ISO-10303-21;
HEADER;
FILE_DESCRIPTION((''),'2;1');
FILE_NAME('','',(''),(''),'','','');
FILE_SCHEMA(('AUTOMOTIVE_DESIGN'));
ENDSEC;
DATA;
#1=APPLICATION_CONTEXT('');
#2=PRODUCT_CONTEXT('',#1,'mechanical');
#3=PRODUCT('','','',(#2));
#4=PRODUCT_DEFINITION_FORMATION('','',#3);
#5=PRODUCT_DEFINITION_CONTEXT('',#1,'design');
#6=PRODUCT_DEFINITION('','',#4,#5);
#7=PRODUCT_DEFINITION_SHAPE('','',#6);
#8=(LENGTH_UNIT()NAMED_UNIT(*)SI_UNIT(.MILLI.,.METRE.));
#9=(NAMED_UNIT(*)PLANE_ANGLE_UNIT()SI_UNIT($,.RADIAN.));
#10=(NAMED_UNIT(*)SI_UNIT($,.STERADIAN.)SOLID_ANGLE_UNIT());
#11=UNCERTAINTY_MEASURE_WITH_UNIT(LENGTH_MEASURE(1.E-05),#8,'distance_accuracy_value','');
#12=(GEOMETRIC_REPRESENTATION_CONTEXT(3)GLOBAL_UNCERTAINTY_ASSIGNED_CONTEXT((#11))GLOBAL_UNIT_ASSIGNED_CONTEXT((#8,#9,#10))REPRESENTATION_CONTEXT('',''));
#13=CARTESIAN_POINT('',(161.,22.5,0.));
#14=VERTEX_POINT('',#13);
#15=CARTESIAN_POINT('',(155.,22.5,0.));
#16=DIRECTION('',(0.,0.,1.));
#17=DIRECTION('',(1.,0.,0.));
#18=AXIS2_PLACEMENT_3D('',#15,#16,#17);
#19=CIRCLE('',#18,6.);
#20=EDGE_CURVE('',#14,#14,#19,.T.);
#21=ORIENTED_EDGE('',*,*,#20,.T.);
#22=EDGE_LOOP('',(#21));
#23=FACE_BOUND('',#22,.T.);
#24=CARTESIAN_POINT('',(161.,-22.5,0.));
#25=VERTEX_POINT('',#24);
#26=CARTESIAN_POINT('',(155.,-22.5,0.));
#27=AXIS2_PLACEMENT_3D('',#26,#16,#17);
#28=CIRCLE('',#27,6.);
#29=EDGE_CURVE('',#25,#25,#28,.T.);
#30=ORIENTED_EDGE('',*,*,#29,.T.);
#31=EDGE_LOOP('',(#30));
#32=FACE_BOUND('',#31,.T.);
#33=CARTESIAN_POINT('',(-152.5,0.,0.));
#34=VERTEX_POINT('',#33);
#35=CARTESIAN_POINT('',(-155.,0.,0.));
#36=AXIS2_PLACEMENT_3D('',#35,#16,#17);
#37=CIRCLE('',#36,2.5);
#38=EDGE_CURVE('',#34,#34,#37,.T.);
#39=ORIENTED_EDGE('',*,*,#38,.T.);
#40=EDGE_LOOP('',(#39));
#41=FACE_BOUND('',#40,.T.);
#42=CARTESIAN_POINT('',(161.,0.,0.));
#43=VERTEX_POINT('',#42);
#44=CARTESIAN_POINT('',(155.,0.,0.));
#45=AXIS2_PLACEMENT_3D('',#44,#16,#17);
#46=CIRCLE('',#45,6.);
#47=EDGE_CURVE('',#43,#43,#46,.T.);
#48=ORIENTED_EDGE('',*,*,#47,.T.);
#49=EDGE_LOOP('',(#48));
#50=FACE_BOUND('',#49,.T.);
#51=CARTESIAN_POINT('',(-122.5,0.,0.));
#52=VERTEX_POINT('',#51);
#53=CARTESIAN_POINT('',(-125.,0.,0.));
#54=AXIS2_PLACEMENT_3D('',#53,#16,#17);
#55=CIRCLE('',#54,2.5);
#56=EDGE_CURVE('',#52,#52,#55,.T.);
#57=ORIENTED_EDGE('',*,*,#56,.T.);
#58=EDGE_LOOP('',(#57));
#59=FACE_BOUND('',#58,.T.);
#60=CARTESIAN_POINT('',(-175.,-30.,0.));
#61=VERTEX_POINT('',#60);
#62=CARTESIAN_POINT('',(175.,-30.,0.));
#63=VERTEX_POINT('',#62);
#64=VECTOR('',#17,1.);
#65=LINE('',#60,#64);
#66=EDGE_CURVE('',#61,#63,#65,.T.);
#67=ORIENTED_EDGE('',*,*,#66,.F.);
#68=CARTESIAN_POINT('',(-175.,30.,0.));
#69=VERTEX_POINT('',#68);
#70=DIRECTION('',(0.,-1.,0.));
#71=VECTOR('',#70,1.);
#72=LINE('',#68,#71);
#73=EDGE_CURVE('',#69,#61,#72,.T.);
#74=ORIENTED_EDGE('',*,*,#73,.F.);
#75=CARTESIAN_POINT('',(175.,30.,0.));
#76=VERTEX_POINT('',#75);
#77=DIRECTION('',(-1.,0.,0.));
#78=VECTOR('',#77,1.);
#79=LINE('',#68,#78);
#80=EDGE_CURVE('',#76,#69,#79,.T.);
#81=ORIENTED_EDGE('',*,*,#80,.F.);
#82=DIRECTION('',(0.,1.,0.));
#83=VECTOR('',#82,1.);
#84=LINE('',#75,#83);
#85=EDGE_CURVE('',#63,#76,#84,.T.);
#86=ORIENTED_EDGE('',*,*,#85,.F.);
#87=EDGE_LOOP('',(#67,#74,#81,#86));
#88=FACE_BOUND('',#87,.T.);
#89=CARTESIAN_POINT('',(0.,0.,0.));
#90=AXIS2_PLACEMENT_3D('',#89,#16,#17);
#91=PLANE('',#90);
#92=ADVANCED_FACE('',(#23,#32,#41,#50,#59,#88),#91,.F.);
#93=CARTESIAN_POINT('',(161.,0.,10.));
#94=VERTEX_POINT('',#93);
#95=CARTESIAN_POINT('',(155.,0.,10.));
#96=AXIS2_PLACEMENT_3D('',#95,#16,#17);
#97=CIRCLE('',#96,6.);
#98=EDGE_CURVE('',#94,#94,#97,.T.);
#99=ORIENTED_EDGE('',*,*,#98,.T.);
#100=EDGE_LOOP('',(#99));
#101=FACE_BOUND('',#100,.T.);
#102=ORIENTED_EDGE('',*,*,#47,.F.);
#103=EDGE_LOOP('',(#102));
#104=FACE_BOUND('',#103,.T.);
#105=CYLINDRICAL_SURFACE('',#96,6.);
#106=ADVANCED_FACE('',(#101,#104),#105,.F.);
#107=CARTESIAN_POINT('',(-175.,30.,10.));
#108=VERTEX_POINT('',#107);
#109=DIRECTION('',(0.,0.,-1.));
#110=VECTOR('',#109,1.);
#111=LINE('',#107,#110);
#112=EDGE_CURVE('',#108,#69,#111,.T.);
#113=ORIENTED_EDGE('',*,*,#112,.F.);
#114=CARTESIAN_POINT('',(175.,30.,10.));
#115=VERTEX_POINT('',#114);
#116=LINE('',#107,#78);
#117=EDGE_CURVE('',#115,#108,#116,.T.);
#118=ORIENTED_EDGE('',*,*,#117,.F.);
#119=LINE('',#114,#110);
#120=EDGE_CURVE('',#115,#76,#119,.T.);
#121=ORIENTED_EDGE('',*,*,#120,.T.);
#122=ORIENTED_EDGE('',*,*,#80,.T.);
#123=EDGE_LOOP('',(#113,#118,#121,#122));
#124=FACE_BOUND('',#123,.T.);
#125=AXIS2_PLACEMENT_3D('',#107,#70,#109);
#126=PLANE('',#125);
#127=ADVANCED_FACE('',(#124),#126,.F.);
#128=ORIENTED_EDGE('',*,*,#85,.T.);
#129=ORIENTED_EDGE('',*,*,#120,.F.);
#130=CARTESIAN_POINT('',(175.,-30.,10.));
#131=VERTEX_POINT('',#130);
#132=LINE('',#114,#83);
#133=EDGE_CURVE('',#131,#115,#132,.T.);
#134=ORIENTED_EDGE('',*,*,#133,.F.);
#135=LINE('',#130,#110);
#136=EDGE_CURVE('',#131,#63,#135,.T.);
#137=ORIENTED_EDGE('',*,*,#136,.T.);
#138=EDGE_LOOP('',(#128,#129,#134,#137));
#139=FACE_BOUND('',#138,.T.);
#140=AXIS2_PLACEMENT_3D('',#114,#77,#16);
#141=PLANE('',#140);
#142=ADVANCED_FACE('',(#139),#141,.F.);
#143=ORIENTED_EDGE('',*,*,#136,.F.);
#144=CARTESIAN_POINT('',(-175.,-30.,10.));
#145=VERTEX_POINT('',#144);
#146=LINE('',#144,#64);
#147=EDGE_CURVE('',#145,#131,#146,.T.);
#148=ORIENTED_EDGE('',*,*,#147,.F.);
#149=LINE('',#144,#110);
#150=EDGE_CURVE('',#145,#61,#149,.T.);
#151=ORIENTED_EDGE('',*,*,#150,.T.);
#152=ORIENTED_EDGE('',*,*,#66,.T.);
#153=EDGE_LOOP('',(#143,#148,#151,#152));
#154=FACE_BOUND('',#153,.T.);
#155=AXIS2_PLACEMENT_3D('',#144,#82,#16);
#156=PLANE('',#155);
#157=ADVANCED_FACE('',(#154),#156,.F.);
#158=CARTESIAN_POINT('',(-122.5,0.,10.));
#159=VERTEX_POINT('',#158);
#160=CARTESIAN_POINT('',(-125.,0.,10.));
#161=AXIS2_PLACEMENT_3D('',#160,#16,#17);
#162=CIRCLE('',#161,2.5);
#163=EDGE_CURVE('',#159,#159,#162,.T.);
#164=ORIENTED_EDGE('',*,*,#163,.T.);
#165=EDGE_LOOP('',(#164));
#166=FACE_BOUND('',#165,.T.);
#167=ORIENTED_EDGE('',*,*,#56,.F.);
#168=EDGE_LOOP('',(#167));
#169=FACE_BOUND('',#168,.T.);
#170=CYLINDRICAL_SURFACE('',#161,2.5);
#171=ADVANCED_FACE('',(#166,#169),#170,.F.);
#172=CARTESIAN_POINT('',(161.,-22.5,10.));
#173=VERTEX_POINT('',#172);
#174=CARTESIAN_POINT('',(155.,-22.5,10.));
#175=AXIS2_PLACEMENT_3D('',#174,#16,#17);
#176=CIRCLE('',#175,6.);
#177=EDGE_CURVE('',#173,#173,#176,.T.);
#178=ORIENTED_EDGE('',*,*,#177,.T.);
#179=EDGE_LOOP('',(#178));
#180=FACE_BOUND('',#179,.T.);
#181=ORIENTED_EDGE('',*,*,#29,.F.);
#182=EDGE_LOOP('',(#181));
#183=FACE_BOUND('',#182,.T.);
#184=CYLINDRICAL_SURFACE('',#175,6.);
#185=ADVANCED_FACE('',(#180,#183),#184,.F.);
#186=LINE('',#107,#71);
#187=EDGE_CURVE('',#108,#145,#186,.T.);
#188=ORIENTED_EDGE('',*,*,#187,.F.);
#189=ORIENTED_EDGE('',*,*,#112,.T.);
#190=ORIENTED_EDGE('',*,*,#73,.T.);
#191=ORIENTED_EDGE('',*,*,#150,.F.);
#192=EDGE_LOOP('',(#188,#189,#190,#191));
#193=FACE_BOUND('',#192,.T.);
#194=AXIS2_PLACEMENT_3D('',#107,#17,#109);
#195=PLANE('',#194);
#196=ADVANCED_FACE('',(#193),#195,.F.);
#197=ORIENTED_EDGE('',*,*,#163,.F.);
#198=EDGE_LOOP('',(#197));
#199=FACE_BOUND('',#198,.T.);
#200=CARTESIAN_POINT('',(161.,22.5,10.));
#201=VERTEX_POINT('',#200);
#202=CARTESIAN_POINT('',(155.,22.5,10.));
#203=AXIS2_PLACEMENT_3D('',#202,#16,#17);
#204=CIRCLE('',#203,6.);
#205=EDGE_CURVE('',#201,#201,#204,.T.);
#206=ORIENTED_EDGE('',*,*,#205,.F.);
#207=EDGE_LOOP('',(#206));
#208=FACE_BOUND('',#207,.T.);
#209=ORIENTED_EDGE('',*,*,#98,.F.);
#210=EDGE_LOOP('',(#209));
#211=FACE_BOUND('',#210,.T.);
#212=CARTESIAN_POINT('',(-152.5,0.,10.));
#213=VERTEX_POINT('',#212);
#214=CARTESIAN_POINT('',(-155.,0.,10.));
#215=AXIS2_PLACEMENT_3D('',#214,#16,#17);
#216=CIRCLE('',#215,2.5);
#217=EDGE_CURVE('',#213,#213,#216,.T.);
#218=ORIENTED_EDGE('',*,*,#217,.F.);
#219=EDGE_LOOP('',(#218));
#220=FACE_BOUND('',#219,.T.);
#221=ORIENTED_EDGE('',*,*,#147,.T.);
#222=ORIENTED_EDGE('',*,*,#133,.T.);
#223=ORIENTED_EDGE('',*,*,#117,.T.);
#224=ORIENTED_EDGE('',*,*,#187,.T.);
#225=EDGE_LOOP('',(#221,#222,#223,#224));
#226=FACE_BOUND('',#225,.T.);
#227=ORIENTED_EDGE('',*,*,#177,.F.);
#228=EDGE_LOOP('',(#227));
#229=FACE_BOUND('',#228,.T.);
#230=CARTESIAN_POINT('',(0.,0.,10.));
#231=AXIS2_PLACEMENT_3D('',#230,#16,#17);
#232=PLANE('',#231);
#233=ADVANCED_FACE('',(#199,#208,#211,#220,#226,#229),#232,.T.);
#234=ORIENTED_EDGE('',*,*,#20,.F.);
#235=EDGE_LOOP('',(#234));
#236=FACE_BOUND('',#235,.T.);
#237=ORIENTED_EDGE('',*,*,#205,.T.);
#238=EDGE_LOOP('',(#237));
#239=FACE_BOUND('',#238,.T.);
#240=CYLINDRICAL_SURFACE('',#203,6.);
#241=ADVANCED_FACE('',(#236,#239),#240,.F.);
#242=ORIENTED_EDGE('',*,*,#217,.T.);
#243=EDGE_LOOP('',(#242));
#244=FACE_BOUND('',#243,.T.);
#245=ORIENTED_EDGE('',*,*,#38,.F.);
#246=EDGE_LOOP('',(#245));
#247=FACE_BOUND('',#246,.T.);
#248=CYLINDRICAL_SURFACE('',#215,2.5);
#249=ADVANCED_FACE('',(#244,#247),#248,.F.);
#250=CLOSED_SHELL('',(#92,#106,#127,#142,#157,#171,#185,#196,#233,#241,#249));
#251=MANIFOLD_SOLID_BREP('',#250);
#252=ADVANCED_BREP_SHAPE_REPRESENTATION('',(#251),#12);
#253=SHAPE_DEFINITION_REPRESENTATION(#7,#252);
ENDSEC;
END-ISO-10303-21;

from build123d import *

# Parameters (mm, degrees)
SKETCH_1_W             = 350
SKETCH_1_H             = 60
EXTRUDE_1_DEPTH        = 10
HOLE_WIZARD_M6_1_D     = 5
HOLE_WIZARD_M6_1_DEPTH = 20
HOLE_WIZARD_M6_1_TIP   = 1.502151548
MM_1_D                 = 12
MM_1_DEPTH             = 20
MM_1_TIP               = 3.605163714


with BuildPart() as part:
    # 草图1 → 凸台-拉伸1 (new body)
    with BuildSketch(Plane.XY):
        Rectangle(SKETCH_1_W, SKETCH_1_H)
    extrude(amount=EXTRUDE_1_DEPTH)

    # M6 螺纹孔1
    with Locations(Plane(origin=(-155, 0, 10), x_dir=(1, 0, 0), z_dir=(0, 0, 1))):
        with Locations((0, 0), (30, 0)):
            Hole(HOLE_WIZARD_M6_1_D / 2, depth=HOLE_WIZARD_M6_1_DEPTH)
            with Locations((0, 0, -(HOLE_WIZARD_M6_1_DEPTH + HOLE_WIZARD_M6_1_TIP / 2))):  # 118° drill point
                Cone(0, HOLE_WIZARD_M6_1_D / 2, HOLE_WIZARD_M6_1_TIP, mode=Mode.SUBTRACT)

    # 大小mm 暗销槽口1
    with Locations(Plane.XY.offset(10)):
        with Locations((155, -22.5), (155, 0), (155, 22.5)):
            Hole(MM_1_D / 2, depth=MM_1_DEPTH)
            with Locations((0, 0, -(MM_1_DEPTH + MM_1_TIP / 2))):  # 118° drill point
                Cone(0, MM_1_D / 2, MM_1_TIP, mode=Mode.SUBTRACT)


solid = part.part
